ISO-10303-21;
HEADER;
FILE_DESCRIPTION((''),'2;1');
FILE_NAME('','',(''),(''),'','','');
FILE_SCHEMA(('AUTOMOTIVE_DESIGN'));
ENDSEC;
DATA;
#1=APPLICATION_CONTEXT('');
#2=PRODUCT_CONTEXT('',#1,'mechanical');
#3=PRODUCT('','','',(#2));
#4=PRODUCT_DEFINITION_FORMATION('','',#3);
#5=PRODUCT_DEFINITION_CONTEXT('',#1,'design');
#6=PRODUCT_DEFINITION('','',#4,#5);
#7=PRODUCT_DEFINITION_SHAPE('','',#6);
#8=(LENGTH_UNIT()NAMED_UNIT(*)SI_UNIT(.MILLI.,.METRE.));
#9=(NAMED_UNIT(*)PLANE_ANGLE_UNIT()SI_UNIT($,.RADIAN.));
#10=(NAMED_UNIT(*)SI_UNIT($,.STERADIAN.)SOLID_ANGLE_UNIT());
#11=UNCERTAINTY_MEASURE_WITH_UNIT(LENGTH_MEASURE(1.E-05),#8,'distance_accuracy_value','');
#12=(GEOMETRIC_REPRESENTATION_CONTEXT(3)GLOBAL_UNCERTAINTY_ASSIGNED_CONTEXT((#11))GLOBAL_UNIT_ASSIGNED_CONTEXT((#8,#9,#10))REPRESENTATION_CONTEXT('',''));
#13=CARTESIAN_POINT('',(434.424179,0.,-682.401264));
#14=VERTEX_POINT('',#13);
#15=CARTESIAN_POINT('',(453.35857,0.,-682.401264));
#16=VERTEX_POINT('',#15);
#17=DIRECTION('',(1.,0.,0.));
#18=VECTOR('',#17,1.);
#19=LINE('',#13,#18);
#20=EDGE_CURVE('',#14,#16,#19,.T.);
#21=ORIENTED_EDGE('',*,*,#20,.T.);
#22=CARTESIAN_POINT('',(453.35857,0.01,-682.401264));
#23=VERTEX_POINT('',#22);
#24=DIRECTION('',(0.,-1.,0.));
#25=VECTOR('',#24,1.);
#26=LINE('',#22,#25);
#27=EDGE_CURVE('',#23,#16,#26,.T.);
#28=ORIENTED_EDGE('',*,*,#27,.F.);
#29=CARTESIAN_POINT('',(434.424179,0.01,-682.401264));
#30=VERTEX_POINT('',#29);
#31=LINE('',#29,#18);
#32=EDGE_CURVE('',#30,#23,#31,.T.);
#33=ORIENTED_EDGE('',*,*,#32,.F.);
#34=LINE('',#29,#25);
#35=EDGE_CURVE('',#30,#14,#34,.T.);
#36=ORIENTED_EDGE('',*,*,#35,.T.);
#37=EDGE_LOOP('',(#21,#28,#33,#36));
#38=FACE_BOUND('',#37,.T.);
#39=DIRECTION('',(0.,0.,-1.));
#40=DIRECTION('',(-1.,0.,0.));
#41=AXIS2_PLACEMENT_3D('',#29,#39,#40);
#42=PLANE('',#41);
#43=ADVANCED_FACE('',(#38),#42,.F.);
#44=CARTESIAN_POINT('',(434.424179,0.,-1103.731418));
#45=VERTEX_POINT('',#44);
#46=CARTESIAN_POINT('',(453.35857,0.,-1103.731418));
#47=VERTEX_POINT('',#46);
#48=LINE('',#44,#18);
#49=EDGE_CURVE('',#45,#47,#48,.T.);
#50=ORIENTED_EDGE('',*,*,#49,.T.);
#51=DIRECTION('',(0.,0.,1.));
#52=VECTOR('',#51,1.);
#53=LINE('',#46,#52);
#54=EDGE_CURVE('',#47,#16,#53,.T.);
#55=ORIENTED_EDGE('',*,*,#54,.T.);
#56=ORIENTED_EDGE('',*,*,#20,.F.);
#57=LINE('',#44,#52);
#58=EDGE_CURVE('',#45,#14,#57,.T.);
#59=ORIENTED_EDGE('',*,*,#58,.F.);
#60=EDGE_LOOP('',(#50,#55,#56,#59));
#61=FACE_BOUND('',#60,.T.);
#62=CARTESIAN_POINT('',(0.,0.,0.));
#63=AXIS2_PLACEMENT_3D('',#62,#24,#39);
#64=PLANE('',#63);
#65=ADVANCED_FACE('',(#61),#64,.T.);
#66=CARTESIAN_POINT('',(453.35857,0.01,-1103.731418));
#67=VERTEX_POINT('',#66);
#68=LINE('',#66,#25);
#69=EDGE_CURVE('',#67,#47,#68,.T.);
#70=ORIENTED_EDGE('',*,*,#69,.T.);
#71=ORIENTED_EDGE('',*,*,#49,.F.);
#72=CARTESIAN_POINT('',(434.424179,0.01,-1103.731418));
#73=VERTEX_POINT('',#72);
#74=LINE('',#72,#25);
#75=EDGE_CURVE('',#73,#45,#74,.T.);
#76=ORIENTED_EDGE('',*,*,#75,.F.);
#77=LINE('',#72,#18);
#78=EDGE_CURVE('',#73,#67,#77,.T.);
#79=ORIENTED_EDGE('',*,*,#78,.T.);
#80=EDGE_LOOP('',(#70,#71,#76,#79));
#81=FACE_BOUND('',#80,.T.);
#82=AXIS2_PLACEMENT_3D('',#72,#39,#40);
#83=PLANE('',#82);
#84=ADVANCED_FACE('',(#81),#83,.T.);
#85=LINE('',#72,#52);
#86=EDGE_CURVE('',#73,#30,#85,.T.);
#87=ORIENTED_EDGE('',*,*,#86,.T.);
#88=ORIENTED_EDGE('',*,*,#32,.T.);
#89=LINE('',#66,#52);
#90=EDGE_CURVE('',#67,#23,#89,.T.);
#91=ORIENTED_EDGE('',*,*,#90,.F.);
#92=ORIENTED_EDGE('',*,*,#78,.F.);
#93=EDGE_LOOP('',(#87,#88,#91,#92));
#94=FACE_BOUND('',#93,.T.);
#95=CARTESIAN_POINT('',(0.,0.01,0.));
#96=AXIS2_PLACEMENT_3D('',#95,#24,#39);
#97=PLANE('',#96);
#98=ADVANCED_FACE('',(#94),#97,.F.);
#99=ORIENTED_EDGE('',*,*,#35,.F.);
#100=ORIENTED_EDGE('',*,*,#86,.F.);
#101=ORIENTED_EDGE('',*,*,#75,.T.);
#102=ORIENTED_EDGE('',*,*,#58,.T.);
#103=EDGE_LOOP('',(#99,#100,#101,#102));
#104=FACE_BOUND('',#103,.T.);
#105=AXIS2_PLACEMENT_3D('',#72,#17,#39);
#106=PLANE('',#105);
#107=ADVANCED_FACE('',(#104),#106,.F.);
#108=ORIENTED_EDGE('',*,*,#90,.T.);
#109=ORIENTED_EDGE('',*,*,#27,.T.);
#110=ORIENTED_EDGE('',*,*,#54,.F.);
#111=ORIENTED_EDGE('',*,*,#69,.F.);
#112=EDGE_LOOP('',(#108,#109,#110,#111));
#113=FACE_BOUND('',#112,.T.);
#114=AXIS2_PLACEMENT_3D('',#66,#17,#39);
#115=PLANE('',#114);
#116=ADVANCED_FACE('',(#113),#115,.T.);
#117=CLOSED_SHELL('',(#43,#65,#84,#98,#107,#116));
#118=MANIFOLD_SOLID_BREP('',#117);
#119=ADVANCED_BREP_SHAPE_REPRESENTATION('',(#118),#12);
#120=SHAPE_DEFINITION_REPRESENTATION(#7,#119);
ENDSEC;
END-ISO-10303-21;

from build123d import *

# Parameters (mm, degrees)
ESBO_O1_W                = 18.934391234
ESBO_O1_H                = 421.330154147
RESSALTO_EXTRUS_O7_DEPTH = 0.01


with BuildPart() as part:
    # Esboço1 → Ressalto-extrusão7 (new body)
    with BuildSketch(Plane(origin=(0, 0, 0), x_dir=(1, 0, 0), z_dir=(0, 1, 0))):
        with Locations((443.89137453, 893.066340774)):
            Rectangle(ESBO_O1_W, ESBO_O1_H)
    extrude(amount=RESSALTO_EXTRUS_O7_DEPTH)


solid = part.part
